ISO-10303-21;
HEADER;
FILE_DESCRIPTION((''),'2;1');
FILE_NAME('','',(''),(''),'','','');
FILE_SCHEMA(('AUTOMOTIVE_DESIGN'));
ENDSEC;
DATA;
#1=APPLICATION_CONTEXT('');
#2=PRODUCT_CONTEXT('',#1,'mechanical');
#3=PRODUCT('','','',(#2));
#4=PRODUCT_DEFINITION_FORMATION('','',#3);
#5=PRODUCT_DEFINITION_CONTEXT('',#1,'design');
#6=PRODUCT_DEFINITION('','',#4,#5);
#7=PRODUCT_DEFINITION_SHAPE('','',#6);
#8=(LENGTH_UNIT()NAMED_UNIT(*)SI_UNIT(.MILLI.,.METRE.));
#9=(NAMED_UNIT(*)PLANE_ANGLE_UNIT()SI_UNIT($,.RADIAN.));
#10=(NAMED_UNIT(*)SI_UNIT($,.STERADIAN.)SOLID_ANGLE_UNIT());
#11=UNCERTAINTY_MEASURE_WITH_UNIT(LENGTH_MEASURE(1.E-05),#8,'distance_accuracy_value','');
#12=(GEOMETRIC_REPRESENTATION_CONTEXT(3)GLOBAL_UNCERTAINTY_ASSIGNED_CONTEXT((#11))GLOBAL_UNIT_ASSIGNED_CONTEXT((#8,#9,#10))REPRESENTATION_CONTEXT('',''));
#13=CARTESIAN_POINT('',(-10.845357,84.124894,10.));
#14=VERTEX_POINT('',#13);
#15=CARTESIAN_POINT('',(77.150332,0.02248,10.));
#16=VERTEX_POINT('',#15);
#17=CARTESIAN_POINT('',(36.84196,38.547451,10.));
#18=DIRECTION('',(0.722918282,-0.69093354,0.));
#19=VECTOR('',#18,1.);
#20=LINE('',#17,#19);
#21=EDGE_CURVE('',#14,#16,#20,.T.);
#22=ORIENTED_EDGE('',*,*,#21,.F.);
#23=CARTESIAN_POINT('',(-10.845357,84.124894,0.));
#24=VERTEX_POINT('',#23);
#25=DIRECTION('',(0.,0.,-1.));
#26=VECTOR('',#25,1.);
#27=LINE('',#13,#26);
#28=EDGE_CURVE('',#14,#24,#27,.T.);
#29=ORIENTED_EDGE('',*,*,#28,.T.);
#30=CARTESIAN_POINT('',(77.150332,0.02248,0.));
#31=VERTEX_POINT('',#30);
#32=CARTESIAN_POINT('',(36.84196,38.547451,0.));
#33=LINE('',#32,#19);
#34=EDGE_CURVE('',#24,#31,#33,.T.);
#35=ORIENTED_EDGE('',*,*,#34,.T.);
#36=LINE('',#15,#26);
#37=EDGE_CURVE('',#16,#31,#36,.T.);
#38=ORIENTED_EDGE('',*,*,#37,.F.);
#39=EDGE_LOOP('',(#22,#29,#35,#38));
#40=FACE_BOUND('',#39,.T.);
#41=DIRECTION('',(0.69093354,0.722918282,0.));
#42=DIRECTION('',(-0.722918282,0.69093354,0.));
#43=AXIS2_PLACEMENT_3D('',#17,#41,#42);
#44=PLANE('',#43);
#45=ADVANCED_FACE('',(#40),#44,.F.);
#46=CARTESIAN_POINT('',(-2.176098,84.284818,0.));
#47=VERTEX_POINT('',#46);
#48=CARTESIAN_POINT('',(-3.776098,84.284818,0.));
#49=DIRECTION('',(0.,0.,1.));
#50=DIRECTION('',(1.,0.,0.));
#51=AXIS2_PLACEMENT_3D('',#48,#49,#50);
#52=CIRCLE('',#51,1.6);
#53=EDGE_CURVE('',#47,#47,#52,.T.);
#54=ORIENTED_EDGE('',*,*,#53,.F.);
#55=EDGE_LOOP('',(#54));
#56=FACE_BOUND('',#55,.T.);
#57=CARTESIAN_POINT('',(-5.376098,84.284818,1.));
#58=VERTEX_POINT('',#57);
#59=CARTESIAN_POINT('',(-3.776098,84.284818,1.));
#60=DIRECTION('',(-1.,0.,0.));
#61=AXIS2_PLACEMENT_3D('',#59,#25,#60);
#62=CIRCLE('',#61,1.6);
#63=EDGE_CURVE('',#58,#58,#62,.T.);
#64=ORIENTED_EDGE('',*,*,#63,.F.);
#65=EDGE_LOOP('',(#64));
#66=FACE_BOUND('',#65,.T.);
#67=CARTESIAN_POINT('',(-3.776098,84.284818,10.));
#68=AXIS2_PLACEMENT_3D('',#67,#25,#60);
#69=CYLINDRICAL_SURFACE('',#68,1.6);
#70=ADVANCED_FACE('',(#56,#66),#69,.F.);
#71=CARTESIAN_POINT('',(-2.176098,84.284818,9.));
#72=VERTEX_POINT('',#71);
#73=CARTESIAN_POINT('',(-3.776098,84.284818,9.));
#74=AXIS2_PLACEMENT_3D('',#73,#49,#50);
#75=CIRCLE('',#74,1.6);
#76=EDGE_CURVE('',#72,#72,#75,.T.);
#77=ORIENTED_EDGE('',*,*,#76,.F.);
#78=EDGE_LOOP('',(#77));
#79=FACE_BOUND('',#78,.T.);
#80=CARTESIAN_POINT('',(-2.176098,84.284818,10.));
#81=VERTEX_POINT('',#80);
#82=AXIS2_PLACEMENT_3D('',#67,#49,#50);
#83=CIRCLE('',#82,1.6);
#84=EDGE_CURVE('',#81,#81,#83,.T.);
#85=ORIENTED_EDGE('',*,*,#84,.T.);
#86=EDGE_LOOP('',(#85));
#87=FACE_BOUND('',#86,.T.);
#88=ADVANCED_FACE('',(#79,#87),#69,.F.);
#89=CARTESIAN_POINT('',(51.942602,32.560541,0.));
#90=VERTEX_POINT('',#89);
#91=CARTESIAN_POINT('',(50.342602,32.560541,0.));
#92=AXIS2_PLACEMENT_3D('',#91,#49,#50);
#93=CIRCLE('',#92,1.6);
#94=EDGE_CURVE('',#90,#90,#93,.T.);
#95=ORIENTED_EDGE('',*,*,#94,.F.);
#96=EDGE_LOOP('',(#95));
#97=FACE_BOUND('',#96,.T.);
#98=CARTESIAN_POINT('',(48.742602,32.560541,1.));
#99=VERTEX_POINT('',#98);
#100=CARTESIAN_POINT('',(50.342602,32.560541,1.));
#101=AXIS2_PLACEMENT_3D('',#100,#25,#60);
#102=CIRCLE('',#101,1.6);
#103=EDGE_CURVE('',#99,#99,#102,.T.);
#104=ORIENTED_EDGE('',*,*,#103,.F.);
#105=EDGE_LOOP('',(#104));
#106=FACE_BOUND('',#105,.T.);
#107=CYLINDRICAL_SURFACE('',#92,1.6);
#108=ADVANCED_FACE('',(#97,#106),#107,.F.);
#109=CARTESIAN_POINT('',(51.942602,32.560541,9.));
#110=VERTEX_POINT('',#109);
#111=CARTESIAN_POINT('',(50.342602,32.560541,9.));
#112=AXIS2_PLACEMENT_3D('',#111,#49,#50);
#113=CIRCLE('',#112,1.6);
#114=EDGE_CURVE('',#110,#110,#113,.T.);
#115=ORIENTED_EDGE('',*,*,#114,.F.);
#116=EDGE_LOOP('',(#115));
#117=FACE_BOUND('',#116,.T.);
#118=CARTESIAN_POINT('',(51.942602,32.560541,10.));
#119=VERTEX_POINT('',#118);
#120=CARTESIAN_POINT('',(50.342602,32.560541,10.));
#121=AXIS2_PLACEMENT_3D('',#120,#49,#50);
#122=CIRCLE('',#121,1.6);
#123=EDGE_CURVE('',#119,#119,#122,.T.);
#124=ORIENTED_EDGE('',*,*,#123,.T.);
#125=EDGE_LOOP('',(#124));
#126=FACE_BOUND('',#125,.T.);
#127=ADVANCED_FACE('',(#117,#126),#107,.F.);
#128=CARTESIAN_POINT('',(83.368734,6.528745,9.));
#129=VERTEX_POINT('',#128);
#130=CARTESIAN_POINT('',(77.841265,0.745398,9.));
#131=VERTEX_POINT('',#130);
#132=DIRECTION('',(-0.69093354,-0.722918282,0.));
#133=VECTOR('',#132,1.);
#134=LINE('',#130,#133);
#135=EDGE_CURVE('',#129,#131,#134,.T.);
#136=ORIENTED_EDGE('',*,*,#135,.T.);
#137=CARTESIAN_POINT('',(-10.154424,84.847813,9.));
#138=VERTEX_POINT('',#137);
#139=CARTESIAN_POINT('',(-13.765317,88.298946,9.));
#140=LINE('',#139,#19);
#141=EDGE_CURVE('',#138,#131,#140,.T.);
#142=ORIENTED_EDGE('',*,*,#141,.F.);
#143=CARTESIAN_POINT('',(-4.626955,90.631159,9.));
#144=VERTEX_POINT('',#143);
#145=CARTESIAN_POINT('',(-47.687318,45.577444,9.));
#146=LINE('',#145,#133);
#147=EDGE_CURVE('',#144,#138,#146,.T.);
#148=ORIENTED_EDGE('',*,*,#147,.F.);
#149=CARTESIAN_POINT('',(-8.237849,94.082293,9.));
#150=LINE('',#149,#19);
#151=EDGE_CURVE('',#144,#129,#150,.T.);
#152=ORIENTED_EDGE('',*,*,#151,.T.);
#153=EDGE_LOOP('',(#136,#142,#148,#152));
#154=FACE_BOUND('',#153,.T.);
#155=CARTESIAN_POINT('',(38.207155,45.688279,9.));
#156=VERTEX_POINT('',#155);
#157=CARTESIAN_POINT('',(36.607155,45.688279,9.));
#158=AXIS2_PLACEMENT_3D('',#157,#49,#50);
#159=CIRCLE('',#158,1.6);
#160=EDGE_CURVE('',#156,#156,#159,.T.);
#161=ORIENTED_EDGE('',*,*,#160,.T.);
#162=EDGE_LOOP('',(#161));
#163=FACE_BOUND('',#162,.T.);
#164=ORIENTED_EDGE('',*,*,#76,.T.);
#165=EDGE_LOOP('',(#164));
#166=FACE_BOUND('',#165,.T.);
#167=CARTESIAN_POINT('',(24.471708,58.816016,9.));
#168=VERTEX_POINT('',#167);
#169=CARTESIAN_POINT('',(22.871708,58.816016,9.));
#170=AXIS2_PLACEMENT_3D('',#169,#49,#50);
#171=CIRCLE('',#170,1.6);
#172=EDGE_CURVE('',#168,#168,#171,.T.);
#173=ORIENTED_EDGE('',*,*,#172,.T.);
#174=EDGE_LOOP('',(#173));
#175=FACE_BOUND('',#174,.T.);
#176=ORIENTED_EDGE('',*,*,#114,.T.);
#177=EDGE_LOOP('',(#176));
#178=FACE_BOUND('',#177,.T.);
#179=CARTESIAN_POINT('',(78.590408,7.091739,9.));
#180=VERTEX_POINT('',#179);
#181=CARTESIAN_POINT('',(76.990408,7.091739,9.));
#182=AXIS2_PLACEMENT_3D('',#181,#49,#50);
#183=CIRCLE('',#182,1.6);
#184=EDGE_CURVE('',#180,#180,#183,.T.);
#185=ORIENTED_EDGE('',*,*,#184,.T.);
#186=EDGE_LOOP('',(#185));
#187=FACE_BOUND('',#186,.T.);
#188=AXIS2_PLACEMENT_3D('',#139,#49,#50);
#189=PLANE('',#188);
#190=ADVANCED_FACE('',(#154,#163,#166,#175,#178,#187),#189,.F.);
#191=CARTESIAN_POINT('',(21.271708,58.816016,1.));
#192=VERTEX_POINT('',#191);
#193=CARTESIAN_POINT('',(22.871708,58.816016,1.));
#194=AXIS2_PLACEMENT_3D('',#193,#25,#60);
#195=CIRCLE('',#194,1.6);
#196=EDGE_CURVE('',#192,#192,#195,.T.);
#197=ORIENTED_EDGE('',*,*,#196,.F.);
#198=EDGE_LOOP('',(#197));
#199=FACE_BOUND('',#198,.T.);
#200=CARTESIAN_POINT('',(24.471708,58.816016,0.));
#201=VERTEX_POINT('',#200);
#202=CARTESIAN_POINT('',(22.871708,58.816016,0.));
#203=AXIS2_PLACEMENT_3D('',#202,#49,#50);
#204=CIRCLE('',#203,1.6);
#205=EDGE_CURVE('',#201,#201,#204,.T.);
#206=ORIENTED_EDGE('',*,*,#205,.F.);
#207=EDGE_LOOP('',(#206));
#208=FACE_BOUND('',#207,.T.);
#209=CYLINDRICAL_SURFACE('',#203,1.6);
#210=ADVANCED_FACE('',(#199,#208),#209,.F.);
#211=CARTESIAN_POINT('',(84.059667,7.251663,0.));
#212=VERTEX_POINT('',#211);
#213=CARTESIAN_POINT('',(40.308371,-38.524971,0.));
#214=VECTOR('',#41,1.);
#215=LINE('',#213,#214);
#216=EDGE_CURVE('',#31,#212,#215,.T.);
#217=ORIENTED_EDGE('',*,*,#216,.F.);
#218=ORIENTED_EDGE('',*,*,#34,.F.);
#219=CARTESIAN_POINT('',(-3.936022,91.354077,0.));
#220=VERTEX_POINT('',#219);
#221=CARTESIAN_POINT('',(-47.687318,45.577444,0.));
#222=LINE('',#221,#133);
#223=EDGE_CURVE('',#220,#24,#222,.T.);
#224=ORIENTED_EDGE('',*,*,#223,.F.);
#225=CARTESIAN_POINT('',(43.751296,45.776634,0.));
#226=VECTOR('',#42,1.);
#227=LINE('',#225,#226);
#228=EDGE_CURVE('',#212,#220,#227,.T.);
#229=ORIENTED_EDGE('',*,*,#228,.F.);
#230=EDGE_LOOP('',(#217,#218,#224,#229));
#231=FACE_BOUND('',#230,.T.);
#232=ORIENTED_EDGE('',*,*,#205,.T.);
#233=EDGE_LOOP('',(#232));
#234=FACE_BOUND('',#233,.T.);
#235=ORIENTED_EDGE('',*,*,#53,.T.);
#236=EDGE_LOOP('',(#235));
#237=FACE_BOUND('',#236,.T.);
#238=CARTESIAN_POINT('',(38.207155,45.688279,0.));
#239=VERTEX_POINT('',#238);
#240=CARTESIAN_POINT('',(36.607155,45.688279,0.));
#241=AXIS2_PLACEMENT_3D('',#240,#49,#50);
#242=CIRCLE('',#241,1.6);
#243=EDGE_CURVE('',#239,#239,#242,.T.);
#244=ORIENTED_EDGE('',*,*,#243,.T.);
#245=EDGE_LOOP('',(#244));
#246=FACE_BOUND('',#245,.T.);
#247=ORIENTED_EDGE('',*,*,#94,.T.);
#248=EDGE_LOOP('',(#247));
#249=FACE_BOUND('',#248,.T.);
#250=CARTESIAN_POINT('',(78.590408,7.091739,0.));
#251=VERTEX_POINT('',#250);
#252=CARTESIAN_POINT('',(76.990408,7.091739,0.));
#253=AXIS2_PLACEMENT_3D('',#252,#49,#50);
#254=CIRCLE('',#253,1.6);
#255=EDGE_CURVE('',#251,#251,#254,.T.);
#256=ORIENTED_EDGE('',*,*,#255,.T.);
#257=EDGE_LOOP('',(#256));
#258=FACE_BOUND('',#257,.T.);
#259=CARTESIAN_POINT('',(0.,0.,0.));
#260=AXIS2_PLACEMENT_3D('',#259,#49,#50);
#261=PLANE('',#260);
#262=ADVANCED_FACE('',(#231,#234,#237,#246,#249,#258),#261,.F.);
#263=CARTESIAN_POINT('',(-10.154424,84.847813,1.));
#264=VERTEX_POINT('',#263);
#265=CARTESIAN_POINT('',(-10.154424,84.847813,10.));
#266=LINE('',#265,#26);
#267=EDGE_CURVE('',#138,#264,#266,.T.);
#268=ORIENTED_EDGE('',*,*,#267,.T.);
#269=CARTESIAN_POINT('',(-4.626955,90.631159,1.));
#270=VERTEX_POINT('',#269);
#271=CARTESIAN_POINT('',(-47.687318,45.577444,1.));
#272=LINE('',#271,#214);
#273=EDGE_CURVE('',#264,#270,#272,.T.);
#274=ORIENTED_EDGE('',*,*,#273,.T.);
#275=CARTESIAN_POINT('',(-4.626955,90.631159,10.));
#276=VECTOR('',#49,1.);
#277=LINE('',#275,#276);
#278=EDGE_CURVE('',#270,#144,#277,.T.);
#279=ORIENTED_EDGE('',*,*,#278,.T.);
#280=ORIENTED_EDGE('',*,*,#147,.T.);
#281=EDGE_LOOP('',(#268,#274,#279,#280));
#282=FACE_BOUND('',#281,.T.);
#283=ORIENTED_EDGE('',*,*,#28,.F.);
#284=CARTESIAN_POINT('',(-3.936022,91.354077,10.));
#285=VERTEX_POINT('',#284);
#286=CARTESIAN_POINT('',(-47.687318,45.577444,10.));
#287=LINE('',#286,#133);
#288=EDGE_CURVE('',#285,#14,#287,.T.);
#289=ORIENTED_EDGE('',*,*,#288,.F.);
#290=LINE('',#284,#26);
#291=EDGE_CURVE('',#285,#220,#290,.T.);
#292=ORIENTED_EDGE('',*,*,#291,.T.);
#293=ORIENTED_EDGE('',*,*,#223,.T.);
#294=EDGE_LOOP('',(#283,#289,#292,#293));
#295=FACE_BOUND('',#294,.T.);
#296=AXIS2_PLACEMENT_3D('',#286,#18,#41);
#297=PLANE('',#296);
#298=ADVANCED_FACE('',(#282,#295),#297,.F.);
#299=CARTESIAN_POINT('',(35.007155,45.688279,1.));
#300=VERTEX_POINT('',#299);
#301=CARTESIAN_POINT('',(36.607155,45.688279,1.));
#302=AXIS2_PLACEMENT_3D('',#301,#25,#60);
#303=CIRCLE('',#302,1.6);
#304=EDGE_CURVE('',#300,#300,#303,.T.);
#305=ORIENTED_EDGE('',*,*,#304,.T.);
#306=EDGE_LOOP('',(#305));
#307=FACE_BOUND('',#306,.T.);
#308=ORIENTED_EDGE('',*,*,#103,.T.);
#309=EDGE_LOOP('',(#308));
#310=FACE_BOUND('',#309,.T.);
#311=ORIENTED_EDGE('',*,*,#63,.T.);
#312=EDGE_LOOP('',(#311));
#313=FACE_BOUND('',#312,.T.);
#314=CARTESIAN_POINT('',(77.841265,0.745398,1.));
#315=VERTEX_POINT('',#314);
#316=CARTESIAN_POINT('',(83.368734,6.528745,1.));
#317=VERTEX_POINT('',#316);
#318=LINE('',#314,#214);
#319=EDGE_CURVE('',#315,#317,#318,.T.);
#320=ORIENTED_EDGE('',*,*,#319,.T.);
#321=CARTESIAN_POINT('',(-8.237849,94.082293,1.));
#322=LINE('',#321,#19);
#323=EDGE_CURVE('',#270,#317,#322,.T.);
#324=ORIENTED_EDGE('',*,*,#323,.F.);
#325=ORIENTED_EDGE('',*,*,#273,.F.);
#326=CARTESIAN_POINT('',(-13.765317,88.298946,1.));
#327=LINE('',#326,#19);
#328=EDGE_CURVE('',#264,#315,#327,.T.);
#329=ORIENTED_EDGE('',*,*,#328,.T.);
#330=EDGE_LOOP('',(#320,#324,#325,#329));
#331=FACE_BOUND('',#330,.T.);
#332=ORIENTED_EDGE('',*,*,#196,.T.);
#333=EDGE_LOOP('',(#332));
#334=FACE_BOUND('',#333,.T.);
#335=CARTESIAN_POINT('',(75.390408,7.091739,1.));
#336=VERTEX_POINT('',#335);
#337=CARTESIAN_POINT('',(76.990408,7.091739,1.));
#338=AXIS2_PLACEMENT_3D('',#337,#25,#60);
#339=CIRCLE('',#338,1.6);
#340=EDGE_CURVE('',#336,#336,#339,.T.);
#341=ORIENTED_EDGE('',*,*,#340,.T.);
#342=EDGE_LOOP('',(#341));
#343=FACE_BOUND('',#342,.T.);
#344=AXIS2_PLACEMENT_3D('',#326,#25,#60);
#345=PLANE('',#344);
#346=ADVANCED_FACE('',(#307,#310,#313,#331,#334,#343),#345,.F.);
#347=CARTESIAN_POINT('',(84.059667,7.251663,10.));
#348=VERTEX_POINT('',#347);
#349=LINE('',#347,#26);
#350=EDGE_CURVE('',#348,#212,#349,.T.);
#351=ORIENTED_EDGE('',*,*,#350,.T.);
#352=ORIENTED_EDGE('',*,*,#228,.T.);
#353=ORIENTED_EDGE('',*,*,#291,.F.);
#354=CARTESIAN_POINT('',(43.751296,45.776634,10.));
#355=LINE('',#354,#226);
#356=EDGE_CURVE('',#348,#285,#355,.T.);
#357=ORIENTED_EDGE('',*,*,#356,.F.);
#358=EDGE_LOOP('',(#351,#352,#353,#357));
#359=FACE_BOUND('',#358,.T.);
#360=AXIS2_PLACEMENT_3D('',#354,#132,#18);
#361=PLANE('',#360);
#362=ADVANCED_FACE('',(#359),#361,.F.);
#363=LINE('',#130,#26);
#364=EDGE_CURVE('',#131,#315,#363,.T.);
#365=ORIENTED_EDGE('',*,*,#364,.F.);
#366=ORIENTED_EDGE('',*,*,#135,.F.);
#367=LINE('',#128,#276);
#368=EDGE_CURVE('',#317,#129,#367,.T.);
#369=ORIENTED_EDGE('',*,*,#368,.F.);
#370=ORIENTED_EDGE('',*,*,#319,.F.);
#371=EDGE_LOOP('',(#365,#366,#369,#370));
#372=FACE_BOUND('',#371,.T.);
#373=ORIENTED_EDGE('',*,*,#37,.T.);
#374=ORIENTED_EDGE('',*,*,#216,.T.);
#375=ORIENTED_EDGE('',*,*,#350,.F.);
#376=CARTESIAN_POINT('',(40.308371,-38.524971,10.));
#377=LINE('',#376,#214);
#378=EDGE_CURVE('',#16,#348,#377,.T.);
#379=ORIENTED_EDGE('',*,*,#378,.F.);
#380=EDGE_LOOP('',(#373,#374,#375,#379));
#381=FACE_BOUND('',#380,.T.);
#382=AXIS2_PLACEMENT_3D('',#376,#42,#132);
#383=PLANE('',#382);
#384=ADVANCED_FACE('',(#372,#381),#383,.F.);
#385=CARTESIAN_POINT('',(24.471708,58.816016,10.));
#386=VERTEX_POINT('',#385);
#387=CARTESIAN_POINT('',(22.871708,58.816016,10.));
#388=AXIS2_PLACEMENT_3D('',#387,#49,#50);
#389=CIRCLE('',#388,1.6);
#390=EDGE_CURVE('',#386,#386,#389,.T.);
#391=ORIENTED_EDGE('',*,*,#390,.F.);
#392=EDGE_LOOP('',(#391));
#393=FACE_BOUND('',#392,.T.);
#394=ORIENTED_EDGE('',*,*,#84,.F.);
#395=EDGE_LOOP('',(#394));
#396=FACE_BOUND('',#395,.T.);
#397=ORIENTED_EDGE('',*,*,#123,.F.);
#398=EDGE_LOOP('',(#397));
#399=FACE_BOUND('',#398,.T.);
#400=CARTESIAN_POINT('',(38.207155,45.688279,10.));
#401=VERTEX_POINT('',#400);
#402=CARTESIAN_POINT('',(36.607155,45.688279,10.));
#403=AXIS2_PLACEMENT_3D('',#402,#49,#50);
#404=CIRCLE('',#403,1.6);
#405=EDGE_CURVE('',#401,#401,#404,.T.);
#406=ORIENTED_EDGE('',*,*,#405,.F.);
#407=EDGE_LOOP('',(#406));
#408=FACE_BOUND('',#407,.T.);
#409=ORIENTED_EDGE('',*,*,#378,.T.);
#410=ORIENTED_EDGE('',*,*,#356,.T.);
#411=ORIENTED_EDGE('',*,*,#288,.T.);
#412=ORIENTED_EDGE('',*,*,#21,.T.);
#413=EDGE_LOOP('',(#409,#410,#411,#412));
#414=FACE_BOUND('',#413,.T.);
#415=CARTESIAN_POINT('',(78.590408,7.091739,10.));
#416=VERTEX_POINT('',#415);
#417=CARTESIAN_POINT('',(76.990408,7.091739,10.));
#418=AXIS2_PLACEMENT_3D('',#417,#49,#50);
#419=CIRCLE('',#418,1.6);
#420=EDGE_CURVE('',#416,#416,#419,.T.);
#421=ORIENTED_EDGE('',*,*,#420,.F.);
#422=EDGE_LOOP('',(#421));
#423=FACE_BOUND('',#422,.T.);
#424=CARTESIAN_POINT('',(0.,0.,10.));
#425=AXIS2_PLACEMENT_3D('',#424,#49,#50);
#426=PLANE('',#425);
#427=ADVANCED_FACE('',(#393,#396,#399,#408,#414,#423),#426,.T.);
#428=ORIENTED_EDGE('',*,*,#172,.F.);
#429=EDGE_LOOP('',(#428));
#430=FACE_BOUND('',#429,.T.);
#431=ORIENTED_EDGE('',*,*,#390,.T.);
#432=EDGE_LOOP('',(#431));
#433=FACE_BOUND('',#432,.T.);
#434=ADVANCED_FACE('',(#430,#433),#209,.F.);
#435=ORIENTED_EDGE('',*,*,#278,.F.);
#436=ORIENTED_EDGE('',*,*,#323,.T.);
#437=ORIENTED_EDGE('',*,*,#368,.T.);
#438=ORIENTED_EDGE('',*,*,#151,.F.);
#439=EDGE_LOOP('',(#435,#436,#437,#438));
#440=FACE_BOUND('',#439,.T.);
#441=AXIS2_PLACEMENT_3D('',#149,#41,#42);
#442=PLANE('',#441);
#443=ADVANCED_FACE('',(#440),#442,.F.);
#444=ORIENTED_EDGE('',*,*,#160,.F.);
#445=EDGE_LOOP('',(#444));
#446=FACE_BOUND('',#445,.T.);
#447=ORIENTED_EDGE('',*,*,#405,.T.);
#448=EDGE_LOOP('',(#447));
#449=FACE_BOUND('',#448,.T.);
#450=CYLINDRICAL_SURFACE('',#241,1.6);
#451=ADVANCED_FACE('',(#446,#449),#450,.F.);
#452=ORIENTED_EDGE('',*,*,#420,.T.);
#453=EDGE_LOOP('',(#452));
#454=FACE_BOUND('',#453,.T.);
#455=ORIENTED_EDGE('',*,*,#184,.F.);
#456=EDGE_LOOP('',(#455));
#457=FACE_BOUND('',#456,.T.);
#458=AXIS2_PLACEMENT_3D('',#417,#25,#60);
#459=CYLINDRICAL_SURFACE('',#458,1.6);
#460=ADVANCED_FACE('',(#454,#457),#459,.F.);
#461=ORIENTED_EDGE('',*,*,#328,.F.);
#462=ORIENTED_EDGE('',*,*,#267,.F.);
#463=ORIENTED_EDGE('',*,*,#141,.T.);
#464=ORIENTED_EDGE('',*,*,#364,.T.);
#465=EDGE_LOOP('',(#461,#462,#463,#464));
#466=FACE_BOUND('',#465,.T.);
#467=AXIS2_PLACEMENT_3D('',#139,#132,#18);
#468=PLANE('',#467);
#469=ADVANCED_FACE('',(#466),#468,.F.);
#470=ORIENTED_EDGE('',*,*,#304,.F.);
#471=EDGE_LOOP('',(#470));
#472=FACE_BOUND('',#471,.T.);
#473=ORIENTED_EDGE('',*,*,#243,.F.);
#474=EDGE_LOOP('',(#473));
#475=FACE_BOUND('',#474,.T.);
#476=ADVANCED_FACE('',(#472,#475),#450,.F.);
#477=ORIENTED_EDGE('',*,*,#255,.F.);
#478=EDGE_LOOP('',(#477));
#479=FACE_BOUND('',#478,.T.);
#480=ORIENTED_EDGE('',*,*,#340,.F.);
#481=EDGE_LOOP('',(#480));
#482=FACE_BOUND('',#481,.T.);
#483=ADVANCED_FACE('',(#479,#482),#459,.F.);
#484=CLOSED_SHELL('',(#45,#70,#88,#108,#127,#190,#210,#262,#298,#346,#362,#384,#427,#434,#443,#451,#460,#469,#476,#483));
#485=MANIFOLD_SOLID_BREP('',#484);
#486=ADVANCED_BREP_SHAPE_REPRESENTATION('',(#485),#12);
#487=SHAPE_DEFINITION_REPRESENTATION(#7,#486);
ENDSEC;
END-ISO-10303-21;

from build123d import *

# Parameters (mm, degrees)
SKETCH_2_R          = 1.6
EXTRUDE_1_DEPTH     = 10
SKETCH_3_W          = 8
SKETCH_3_H          = 8
CUT_EXTRUDE_1_DEPTH = 140.947387002
SKETCH_4_R          = 1.6
CUT_EXTRUDE_2_DEPTH = 10


with BuildPart() as part:
    # ｽｹｯﾁ2 → ﾎﾞｽ - 押し出し1 (new body)
    with BuildSketch(Plane.XY):
        Polygon((83.071643169, 8.195972832), (-3.936021884, 91.354077293), (-10.845357286, 84.124894469), (77.150331852, 0.022479987), (84.059667254, 7.25166281), align=None)
        with Locations((-3.776098173, 84.28481818)):
            Circle(SKETCH_2_R, mode=Mode.SUBTRACT)
        with Locations((76.990408141, 7.0917391)):
            Circle(SKETCH_2_R, mode=Mode.SUBTRACT)
    extrude(amount=EXTRUDE_1_DEPTH)

    # ｽｹｯﾁ3 → ｶｯﾄ - 押し出し1 (cut, through all)
    with BuildSketch(Plane(origin=(40.308371471, -38.524970914, 0), x_dir=(0, 0, -1), z_dir=(0.7229182823698357, -0.690933540230496, 0))):
        with Locations((-5, 58.32200311)):
            Rectangle(SKETCH_3_W, SKETCH_3_H)
    extrude(amount=-CUT_EXTRUDE_1_DEPTH, mode=Mode.SUBTRACT)

    # ｽｹｯﾁ4 → ｶｯﾄ - 押し出し2 (cut)
    with BuildSketch(Plane.XY.offset(10)):
        with Locations((50.342602349, 32.560541375)):
            Circle(SKETCH_4_R)
        with Locations((22.871707619, 58.816015904)):
            Circle(SKETCH_4_R)
        with Locations((36.607154984, 45.68827864)):
            Circle(SKETCH_4_R)
    extrude(amount=-CUT_EXTRUDE_2_DEPTH, mode=Mode.SUBTRACT)


solid = part.part
